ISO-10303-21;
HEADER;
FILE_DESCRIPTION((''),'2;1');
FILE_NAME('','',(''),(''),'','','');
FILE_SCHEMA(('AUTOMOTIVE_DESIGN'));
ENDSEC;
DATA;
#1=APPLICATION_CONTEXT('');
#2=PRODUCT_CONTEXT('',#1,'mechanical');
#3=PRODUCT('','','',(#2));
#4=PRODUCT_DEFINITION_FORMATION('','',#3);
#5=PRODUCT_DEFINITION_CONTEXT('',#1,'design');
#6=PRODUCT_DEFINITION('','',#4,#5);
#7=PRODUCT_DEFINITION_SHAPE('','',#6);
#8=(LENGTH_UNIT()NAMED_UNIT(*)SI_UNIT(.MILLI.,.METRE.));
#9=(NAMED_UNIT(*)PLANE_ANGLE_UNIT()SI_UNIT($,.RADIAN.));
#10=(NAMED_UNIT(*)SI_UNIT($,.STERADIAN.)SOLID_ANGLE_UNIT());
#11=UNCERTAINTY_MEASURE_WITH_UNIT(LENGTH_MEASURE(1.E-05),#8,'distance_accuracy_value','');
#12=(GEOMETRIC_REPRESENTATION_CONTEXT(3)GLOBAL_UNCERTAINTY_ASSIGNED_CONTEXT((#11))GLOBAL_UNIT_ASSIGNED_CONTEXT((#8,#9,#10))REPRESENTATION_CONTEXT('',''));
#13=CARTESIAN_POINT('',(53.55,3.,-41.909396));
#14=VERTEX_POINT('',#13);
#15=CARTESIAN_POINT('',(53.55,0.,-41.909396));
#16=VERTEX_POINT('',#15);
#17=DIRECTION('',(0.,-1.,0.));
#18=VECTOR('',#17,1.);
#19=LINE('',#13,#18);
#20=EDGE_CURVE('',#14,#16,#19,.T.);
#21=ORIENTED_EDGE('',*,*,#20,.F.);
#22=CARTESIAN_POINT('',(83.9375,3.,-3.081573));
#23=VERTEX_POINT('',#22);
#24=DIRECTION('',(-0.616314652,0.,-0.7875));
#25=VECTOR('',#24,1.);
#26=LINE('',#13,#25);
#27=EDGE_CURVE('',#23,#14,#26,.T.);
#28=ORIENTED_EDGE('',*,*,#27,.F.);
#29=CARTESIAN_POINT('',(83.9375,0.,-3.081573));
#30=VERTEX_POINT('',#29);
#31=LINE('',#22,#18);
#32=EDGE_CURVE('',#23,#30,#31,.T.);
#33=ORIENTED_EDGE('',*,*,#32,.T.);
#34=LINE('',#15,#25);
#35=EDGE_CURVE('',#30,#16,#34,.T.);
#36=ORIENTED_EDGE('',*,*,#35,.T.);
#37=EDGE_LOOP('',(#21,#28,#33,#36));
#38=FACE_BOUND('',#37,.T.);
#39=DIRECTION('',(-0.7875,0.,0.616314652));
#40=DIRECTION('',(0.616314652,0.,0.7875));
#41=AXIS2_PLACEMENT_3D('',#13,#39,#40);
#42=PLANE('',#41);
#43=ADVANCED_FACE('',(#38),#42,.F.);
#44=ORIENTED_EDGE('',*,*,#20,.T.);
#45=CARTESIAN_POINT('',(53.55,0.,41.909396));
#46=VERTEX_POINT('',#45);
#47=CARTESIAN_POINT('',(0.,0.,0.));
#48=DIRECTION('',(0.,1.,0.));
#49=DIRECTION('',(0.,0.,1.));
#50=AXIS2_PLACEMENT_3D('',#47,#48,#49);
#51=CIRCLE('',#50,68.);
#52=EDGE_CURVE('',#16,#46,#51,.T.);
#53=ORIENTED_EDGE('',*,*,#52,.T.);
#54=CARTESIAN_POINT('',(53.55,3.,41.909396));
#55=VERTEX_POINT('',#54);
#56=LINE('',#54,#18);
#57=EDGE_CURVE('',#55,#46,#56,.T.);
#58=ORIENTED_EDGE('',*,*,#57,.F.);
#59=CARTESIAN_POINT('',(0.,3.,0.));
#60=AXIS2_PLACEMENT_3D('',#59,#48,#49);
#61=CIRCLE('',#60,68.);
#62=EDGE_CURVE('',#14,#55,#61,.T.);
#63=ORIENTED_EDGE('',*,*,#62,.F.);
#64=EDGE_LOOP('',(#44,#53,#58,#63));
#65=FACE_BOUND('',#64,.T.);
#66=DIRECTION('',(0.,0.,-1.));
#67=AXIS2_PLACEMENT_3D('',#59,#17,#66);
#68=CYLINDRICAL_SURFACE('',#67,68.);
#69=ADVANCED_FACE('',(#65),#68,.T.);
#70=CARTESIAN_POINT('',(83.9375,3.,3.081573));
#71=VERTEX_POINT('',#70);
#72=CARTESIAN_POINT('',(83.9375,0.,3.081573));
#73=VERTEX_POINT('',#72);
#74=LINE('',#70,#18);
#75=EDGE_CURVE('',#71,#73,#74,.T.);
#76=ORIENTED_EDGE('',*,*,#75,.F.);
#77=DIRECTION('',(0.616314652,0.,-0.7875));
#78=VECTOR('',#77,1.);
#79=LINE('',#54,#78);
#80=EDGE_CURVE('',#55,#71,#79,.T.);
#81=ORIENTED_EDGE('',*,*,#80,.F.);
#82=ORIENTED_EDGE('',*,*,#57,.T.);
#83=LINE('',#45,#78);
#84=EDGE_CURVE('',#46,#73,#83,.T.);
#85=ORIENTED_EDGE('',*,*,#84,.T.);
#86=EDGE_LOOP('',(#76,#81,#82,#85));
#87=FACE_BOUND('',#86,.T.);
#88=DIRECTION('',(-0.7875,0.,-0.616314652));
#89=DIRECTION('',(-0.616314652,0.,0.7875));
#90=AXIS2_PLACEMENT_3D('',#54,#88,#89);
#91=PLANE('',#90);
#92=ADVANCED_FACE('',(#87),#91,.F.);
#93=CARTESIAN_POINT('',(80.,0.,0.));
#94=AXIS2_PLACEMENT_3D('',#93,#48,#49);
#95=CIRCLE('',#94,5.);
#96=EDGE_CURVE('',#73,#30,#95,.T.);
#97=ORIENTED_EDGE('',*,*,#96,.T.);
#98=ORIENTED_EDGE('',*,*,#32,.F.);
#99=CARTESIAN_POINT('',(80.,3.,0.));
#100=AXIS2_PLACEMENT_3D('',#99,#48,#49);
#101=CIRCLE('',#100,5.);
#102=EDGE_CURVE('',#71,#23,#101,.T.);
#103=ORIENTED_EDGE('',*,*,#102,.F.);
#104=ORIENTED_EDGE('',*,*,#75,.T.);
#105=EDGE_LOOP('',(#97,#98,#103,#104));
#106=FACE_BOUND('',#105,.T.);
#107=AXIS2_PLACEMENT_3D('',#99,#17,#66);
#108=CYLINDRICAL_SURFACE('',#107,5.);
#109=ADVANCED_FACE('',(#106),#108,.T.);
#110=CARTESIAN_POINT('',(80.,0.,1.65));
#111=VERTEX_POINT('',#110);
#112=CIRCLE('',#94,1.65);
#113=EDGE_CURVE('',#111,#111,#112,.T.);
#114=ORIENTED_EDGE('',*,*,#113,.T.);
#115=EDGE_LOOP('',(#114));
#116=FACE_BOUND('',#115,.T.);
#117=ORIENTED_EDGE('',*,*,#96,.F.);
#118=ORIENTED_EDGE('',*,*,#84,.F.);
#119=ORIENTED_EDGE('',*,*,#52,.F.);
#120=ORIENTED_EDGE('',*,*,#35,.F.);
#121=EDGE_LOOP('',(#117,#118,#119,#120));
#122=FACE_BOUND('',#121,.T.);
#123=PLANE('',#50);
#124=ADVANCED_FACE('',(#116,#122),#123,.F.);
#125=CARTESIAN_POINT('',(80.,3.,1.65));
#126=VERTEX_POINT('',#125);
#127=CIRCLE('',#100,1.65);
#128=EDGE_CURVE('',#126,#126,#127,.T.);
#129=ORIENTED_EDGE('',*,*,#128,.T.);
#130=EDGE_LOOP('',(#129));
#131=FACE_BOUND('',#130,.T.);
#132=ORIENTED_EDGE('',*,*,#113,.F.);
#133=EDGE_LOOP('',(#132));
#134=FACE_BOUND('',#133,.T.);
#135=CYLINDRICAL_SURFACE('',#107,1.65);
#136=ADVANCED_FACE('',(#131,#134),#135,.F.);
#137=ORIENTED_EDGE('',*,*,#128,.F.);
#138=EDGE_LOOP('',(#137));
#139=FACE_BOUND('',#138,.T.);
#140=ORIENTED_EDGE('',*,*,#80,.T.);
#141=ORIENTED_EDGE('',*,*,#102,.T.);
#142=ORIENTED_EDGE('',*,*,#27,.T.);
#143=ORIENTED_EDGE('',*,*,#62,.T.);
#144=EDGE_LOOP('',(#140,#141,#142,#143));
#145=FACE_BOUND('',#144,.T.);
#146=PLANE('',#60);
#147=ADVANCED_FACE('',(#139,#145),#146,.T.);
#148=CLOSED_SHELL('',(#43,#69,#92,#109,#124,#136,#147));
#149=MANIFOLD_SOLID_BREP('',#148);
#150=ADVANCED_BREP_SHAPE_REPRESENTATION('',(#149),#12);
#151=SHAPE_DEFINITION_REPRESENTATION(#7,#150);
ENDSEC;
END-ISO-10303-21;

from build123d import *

# Parameters (mm, degrees)
SKETCH1_R           = 1.65
BOSS_EXTRUDE1_DEPTH = 3


with BuildPart() as part:
    # Sketch1 → Boss-Extrude1 (new body)
    with BuildSketch(Plane(origin=(0, 0, 0), x_dir=(1, 0, 0), z_dir=(0, 1, 0))):
        with BuildLine():
            Line((53.55, -41.909396321), (83.9375, -3.081573259))
            ThreePointArc((83.9375, -3.081573259), (85, 0), (83.9375, 3.081573259))
            Line((83.9375, 3.081573259), (53.55, 41.909396321))
            ThreePointArc((53.55, 41.909396321), (-68, 0), (53.55, -41.909396321))
        make_face()
        with Locations(Location((80, 0, 0), (0, 0, 270))):
            Circle(SKETCH1_R, mode=Mode.SUBTRACT)
    extrude(amount=BOSS_EXTRUDE1_DEPTH)


solid = part.part
